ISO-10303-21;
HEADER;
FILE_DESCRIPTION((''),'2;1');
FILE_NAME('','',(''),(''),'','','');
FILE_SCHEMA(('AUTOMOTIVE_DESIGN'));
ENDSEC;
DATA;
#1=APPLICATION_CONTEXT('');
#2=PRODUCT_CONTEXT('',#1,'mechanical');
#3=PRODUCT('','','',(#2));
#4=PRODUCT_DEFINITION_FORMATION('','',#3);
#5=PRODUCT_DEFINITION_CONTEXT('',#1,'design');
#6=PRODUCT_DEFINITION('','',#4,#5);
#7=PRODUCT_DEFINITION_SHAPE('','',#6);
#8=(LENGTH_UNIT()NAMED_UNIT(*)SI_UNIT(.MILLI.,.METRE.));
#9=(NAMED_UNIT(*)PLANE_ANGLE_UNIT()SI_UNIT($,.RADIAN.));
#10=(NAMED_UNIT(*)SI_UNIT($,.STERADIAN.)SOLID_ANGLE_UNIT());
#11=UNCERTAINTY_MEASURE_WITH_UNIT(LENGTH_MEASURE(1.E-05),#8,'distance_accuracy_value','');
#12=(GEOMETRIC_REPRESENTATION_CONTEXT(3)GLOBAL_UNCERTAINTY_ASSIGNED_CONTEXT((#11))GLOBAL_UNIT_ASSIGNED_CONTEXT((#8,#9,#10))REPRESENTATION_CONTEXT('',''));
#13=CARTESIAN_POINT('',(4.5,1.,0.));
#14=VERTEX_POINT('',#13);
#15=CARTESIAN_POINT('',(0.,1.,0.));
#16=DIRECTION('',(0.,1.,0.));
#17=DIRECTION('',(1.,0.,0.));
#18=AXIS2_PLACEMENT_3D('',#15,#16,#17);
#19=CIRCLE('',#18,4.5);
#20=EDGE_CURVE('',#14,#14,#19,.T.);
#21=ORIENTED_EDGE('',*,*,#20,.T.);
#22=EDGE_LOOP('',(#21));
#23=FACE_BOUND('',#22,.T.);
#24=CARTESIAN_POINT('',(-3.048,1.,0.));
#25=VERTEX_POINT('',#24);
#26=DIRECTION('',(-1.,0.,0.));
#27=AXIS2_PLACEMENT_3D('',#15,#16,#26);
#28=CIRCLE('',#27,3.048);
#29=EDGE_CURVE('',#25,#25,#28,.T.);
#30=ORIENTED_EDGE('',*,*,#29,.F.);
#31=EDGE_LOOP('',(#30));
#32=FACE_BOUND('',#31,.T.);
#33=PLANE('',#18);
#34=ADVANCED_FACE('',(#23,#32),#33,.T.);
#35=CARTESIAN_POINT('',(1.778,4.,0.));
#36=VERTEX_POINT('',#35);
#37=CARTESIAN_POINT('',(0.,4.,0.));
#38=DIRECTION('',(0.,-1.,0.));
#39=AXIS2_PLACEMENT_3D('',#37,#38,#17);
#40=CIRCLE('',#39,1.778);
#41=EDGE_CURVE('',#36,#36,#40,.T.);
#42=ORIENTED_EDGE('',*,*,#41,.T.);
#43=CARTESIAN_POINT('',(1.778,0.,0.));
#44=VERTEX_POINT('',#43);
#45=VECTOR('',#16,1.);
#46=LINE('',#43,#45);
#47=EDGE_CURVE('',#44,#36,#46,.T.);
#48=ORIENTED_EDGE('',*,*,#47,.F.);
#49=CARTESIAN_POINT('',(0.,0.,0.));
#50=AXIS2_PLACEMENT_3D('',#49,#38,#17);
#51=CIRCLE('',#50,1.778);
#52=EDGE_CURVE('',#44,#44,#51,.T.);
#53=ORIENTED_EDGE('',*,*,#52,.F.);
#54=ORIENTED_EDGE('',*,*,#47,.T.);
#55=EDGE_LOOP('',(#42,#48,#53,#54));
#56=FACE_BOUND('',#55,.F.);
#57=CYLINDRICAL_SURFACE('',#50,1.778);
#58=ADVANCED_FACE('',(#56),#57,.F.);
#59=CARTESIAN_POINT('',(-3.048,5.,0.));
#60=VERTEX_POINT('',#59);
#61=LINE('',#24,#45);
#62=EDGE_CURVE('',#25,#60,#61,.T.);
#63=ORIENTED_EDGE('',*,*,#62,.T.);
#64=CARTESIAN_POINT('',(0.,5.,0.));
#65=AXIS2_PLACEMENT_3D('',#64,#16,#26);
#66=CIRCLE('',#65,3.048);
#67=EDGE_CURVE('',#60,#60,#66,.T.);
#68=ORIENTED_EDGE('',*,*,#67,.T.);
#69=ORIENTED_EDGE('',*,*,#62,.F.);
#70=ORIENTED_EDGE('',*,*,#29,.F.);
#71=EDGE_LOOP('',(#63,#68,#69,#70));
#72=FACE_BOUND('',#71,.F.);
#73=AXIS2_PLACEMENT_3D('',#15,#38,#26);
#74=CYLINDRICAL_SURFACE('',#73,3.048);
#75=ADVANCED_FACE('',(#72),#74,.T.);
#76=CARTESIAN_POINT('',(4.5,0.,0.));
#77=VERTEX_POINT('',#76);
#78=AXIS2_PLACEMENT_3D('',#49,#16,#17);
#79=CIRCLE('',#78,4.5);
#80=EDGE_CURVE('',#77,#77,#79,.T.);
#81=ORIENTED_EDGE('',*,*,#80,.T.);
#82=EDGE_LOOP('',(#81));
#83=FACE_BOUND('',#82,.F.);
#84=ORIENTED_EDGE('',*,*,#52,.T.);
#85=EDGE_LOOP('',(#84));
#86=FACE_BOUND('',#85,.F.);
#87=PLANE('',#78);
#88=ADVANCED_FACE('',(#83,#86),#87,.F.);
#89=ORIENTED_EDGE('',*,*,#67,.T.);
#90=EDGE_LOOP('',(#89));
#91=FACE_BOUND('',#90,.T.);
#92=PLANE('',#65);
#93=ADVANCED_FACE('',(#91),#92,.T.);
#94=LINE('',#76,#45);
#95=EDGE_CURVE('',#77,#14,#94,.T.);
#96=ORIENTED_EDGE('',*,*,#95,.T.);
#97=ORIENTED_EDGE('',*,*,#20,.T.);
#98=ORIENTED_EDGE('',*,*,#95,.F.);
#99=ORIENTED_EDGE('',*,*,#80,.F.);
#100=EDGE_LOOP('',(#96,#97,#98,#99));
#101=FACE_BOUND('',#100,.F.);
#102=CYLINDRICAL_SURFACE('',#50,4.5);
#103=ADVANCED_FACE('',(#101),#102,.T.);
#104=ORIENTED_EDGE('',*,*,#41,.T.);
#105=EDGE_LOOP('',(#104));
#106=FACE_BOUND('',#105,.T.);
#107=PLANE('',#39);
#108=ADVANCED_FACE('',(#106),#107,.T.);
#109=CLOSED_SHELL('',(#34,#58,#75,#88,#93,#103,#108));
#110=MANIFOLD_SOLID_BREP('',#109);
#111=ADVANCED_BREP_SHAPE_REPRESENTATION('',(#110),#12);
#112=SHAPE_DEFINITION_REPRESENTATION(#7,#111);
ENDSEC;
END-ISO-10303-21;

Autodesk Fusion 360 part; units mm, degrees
sketch "Sketch1" plane through (0, 0, 0) normal (0, 1, 0) x (1, 0, 0)
  circle A0 centre (0, 0) radius 4.5
  dimension "d1" = 9
extrude "Extrude1" add sketch "Sketch1" along normal blind 1
sketch "Sketch2" plane through (0, 1, 0) normal (0, 1, 0) x (-1, 0, 0)
  circle A0 centre (0, 0) radius 4.5
  circle A1 centre (0, 0) radius 3.048
  dimension "d4" = 6.096
extrude "Extrude2" add sketch "Sketch2" along normal blind 4 contours A1
sketch "Sketch3" plane through (0, 0, 0) normal (0, -1, 0) x (1, 0, 0)
  circle A0 centre (0, 0) radius 4.5
  circle A1 centre (0, 0) radius 1.778
  dimension "d7" = 3.556
extrude "Extrude3" cut sketch "Sketch3" against normal blind 4 contours A1
